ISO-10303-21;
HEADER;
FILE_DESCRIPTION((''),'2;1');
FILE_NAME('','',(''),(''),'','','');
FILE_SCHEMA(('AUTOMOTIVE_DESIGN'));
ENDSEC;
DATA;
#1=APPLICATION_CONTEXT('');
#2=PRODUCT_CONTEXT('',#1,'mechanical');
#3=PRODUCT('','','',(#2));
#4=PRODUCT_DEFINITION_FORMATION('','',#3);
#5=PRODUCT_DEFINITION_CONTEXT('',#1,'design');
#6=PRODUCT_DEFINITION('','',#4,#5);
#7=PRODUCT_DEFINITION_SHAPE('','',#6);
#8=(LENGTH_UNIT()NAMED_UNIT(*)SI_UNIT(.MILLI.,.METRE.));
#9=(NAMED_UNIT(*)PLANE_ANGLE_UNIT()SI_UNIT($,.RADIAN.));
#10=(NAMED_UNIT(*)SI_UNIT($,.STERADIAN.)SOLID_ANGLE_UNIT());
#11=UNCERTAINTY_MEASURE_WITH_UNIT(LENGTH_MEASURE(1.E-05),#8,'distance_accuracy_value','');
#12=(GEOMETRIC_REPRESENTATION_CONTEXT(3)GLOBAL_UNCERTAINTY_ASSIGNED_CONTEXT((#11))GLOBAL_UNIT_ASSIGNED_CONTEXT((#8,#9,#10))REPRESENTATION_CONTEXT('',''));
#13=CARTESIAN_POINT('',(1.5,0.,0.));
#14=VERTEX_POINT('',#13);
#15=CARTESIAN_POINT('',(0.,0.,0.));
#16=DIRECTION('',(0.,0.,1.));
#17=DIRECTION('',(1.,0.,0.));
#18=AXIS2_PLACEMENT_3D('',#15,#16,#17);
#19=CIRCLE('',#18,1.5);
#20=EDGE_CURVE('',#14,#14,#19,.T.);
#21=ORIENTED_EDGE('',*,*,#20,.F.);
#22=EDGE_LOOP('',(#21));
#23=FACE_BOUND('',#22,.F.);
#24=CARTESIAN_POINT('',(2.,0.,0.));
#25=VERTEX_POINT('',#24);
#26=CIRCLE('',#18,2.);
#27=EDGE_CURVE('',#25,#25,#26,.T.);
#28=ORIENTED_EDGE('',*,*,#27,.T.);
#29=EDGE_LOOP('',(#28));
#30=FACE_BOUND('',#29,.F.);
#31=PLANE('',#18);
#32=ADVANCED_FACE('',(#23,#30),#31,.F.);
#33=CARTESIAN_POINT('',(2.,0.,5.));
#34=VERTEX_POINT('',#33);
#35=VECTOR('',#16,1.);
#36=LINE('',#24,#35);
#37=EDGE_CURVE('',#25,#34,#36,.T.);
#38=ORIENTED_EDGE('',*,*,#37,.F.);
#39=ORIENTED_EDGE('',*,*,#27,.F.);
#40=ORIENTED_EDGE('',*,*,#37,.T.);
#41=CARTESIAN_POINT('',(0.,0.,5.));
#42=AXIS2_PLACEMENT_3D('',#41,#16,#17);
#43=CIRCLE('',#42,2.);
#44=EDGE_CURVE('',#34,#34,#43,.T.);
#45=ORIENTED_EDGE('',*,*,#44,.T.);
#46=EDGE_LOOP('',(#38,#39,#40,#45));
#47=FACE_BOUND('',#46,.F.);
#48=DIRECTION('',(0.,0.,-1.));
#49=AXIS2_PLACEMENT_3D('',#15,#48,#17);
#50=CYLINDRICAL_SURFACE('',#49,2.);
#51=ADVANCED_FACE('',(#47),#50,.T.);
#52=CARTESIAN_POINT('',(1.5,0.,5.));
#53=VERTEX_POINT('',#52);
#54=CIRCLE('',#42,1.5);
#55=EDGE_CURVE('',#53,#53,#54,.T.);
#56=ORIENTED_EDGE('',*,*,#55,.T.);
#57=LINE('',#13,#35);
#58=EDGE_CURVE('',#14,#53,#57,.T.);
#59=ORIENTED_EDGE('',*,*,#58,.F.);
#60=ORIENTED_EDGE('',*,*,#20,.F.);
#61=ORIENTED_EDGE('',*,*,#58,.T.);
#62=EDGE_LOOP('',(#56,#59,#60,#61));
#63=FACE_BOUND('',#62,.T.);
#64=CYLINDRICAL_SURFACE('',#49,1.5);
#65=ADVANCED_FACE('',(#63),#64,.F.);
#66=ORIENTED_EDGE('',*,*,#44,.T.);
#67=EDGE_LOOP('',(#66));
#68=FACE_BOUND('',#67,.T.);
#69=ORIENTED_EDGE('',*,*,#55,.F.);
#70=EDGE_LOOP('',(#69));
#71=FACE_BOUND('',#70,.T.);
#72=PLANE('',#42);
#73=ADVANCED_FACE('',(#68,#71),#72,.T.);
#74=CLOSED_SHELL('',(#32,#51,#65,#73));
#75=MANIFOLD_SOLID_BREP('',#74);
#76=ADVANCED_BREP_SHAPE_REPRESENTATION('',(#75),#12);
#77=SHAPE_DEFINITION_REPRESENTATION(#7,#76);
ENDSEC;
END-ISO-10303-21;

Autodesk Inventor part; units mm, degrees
ref_plane "YZ Plane" through (0, 0, 0) normal (1, 0, 0) x (0, 1, 0)
ref_plane "XZ Plane" through (0, 0, 0) normal (0, 1, 0) x (-1, 0, 0)
ref_plane "XY Plane" through (0, 0, 0) normal (0, 0, 1) x (1, 0, 0)
sketch "Sketch1" plane through (0, 0, 0) normal (0, 0, 1) x (1, 0, 0)
  circle A0 centre (0, 0) radius 1.5
  circle A1 centre (0, 0) radius 2
  dimension "d0" = 3
  dimension "d1" = 4
extrude "Extrusion1" add sketch "Sketch1" along normal blind 5
properties part number "Sensor Avstånd"
